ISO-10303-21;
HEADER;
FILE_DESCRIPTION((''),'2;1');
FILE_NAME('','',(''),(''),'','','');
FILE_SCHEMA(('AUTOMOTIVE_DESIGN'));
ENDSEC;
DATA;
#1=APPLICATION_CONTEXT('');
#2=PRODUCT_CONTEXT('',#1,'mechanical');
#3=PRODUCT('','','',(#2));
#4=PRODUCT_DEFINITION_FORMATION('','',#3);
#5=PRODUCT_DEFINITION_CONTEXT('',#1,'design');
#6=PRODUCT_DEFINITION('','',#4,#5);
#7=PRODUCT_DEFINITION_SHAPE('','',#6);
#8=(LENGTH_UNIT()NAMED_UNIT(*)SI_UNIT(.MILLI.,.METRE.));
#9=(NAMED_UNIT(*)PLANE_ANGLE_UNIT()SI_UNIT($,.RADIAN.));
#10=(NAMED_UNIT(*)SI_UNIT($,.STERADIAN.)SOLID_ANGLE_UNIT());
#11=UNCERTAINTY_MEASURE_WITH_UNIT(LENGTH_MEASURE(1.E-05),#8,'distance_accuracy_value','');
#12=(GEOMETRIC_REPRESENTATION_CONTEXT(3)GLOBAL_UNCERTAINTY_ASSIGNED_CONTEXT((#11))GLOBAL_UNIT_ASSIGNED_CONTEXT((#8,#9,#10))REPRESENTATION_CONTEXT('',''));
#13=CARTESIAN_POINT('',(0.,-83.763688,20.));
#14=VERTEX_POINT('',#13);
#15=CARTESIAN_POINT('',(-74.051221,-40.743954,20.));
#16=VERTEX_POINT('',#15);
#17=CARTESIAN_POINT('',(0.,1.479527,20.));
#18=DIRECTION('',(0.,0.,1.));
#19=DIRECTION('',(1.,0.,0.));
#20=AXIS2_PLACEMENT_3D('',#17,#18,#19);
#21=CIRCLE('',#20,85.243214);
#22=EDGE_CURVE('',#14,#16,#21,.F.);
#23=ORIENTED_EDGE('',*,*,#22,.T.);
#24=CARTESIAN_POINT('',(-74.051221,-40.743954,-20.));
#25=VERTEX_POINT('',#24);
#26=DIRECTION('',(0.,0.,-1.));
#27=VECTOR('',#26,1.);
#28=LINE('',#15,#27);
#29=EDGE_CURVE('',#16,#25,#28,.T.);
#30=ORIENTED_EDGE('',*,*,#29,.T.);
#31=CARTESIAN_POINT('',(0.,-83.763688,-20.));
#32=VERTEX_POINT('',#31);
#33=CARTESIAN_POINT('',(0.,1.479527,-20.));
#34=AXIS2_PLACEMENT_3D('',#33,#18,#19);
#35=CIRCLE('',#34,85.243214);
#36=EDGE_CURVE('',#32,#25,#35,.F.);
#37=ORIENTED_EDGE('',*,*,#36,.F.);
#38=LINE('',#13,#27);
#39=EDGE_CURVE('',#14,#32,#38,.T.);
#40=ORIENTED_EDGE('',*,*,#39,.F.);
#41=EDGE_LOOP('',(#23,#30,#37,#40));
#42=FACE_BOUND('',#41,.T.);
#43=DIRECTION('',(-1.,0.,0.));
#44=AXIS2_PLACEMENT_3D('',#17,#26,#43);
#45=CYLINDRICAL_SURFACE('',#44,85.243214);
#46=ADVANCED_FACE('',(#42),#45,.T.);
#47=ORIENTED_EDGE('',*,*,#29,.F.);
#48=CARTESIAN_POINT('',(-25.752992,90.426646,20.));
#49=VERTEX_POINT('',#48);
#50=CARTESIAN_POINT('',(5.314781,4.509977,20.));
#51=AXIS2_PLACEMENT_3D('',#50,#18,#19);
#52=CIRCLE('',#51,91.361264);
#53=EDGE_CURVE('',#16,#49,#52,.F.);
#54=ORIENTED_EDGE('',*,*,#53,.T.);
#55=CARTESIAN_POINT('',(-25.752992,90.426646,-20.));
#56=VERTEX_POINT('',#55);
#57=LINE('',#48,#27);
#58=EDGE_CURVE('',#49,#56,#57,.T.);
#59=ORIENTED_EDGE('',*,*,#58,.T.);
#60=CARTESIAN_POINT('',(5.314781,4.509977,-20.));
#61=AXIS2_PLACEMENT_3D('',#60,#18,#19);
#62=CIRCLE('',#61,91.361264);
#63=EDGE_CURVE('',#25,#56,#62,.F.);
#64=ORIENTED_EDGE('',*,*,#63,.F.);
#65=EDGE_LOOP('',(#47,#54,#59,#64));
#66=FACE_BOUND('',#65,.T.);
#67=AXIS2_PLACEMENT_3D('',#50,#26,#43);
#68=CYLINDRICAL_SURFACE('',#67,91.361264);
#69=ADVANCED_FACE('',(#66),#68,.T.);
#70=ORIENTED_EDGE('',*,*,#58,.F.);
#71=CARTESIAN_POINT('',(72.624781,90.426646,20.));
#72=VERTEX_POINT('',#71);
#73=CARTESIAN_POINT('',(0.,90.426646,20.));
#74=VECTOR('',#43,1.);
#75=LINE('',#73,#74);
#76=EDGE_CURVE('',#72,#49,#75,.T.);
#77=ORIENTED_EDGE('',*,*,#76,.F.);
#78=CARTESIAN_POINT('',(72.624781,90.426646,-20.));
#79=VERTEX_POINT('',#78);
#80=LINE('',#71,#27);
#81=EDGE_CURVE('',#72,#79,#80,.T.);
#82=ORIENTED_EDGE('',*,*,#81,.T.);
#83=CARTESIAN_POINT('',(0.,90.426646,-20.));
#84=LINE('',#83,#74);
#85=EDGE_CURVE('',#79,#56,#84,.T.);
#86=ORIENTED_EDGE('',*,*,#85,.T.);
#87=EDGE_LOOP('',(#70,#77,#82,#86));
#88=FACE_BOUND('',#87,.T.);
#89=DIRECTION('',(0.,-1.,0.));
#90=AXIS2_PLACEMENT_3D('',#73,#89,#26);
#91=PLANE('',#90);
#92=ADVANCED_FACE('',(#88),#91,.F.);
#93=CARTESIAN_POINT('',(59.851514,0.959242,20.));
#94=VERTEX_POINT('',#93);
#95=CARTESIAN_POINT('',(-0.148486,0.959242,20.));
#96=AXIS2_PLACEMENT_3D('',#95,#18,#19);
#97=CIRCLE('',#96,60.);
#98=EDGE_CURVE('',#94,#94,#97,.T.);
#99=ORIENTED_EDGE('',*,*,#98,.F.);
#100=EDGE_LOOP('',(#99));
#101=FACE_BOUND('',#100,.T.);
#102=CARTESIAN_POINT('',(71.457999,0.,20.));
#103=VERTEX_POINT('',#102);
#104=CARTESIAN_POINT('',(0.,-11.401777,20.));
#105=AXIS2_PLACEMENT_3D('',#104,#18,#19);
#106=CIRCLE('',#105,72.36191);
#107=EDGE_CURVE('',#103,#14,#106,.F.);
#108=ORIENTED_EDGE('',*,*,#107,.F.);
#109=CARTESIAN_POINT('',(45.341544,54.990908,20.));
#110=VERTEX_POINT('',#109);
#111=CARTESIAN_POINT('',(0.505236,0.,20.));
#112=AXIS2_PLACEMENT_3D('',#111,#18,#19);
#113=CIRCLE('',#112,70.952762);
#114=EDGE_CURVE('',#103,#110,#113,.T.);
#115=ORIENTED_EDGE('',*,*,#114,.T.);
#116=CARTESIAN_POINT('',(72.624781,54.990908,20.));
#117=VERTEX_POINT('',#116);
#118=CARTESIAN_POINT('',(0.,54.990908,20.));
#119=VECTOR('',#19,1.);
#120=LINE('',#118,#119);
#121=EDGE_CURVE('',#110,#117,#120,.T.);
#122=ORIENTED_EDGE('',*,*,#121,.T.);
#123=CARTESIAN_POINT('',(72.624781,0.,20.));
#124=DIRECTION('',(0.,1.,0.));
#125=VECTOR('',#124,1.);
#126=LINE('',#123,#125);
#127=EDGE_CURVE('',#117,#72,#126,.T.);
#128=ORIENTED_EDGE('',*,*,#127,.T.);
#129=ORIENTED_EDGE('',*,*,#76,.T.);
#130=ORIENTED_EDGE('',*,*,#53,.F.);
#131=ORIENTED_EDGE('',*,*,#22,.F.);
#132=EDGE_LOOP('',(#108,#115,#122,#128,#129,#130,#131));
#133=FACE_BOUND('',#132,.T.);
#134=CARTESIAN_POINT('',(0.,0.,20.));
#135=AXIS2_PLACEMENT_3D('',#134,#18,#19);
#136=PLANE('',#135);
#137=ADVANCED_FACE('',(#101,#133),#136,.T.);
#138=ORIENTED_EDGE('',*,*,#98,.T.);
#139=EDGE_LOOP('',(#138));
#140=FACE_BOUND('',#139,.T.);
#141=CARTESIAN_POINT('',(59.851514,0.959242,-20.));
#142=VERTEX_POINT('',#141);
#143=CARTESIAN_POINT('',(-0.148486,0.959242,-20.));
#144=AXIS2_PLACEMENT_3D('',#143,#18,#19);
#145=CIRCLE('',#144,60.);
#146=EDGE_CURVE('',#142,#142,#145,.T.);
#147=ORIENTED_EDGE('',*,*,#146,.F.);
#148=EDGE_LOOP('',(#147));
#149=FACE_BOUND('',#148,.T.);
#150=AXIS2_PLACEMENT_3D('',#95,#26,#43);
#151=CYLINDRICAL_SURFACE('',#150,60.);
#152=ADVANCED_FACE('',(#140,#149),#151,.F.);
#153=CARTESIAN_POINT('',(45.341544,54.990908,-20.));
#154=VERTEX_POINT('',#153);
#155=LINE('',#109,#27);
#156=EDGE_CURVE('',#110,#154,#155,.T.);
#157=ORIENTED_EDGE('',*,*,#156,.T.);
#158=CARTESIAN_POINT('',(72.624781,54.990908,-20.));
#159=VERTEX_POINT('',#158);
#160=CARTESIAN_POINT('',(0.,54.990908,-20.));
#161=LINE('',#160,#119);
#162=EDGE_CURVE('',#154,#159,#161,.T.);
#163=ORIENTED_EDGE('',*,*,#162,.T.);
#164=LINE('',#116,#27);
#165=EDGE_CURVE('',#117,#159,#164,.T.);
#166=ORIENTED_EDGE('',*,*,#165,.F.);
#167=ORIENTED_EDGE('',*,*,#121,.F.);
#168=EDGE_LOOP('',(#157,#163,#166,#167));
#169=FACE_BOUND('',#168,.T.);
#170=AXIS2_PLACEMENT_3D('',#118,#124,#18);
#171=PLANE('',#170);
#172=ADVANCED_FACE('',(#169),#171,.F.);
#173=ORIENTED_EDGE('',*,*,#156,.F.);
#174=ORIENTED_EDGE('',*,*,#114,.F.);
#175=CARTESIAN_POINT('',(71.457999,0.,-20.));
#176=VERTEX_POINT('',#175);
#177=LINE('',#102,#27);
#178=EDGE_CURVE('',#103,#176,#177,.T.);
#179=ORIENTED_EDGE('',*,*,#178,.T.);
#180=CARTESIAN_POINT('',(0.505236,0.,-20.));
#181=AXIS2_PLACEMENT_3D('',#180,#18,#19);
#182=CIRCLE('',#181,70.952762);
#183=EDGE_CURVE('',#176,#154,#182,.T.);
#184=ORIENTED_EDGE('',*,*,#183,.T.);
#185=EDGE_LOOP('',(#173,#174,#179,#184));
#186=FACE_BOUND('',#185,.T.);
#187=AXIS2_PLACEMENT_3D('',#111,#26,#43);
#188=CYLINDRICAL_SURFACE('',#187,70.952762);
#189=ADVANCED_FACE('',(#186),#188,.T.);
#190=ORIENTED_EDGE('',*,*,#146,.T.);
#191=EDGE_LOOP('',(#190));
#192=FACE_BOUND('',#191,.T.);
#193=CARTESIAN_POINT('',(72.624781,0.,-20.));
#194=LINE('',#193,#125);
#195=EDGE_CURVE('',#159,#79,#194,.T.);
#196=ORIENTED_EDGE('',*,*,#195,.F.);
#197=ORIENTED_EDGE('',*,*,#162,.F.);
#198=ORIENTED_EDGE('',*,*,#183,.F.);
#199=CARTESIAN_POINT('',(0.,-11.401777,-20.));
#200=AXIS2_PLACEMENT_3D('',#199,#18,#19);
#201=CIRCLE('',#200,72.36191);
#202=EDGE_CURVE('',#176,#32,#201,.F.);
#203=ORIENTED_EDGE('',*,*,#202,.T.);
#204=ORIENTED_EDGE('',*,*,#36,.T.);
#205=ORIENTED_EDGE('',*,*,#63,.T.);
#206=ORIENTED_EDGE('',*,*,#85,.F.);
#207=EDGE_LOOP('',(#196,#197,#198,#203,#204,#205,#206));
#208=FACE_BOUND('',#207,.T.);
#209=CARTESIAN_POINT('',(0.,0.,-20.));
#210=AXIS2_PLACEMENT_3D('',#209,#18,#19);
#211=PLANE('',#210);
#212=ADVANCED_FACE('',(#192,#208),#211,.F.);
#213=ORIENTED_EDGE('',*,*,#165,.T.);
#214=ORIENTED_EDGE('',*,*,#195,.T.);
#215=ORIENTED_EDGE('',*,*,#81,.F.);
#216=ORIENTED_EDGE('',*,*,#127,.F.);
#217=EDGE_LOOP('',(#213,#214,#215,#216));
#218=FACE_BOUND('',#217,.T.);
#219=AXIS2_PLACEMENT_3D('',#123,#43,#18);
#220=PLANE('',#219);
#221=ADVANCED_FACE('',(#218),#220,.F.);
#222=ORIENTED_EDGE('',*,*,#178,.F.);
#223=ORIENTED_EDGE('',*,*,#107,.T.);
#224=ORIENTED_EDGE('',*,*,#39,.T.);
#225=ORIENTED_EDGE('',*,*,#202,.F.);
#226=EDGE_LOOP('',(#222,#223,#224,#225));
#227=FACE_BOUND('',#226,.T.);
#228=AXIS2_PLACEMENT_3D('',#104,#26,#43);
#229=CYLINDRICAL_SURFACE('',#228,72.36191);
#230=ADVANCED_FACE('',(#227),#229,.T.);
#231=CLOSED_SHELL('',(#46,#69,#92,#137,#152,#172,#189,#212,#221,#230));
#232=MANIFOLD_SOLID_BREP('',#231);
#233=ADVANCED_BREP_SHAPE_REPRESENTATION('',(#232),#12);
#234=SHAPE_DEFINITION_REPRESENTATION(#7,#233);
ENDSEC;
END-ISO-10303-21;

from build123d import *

# Parameters (mm, degrees)
SKETCH1_R           = 70.952762223
SKETCH1_R_2         = 60
BOSS_EXTRUDE1_DEPTH = 20


with BuildPart() as part:
    # Sketch1 → Boss-Extrude1 (new, symmetric)
    # profile 1 of 2: a face of its own
    with BuildSketch(Plane.XY):
        with BuildLine():
            Line((40.505236387, 90.426645724), (-25.752991774, 90.426645724))
            ThreePointArc((-25.752991774, 90.426645724), (-80.41932051, 36.078066751), (-74.051220561, -40.74395377))
            ThreePointArc((-74.051220561, -40.74395377), (-42.820207747, -72.228243513), (0, -83.763687608))
            ThreePointArc((0, -83.763687608), (55.05134178, -58.365548869), (71.457998611, 0))
            ThreePointArc((71.457998611, 0), (-63.58670667, -30.438746727), (45.341543852, 54.990908339))
            Line((45.341543852, 54.990908339), (72.624781189, 54.990908339))
            Line((72.624781189, 54.990908339), (72.624781189, 90.426645724))
            Line((72.624781189, 90.426645724), (40.505236387, 90.426645724))
        make_face()
    # profile 2 of 2: a face of its own
    with BuildSketch(Plane.XY):
        with Locations((0.505236387, 0)):
            Circle(SKETCH1_R)
        with Locations((-0.148485531, 0.959241536)):
            Circle(SKETCH1_R_2, mode=Mode.SUBTRACT)
    extrude(amount=BOSS_EXTRUDE1_DEPTH, both=True)


solid = part.part
